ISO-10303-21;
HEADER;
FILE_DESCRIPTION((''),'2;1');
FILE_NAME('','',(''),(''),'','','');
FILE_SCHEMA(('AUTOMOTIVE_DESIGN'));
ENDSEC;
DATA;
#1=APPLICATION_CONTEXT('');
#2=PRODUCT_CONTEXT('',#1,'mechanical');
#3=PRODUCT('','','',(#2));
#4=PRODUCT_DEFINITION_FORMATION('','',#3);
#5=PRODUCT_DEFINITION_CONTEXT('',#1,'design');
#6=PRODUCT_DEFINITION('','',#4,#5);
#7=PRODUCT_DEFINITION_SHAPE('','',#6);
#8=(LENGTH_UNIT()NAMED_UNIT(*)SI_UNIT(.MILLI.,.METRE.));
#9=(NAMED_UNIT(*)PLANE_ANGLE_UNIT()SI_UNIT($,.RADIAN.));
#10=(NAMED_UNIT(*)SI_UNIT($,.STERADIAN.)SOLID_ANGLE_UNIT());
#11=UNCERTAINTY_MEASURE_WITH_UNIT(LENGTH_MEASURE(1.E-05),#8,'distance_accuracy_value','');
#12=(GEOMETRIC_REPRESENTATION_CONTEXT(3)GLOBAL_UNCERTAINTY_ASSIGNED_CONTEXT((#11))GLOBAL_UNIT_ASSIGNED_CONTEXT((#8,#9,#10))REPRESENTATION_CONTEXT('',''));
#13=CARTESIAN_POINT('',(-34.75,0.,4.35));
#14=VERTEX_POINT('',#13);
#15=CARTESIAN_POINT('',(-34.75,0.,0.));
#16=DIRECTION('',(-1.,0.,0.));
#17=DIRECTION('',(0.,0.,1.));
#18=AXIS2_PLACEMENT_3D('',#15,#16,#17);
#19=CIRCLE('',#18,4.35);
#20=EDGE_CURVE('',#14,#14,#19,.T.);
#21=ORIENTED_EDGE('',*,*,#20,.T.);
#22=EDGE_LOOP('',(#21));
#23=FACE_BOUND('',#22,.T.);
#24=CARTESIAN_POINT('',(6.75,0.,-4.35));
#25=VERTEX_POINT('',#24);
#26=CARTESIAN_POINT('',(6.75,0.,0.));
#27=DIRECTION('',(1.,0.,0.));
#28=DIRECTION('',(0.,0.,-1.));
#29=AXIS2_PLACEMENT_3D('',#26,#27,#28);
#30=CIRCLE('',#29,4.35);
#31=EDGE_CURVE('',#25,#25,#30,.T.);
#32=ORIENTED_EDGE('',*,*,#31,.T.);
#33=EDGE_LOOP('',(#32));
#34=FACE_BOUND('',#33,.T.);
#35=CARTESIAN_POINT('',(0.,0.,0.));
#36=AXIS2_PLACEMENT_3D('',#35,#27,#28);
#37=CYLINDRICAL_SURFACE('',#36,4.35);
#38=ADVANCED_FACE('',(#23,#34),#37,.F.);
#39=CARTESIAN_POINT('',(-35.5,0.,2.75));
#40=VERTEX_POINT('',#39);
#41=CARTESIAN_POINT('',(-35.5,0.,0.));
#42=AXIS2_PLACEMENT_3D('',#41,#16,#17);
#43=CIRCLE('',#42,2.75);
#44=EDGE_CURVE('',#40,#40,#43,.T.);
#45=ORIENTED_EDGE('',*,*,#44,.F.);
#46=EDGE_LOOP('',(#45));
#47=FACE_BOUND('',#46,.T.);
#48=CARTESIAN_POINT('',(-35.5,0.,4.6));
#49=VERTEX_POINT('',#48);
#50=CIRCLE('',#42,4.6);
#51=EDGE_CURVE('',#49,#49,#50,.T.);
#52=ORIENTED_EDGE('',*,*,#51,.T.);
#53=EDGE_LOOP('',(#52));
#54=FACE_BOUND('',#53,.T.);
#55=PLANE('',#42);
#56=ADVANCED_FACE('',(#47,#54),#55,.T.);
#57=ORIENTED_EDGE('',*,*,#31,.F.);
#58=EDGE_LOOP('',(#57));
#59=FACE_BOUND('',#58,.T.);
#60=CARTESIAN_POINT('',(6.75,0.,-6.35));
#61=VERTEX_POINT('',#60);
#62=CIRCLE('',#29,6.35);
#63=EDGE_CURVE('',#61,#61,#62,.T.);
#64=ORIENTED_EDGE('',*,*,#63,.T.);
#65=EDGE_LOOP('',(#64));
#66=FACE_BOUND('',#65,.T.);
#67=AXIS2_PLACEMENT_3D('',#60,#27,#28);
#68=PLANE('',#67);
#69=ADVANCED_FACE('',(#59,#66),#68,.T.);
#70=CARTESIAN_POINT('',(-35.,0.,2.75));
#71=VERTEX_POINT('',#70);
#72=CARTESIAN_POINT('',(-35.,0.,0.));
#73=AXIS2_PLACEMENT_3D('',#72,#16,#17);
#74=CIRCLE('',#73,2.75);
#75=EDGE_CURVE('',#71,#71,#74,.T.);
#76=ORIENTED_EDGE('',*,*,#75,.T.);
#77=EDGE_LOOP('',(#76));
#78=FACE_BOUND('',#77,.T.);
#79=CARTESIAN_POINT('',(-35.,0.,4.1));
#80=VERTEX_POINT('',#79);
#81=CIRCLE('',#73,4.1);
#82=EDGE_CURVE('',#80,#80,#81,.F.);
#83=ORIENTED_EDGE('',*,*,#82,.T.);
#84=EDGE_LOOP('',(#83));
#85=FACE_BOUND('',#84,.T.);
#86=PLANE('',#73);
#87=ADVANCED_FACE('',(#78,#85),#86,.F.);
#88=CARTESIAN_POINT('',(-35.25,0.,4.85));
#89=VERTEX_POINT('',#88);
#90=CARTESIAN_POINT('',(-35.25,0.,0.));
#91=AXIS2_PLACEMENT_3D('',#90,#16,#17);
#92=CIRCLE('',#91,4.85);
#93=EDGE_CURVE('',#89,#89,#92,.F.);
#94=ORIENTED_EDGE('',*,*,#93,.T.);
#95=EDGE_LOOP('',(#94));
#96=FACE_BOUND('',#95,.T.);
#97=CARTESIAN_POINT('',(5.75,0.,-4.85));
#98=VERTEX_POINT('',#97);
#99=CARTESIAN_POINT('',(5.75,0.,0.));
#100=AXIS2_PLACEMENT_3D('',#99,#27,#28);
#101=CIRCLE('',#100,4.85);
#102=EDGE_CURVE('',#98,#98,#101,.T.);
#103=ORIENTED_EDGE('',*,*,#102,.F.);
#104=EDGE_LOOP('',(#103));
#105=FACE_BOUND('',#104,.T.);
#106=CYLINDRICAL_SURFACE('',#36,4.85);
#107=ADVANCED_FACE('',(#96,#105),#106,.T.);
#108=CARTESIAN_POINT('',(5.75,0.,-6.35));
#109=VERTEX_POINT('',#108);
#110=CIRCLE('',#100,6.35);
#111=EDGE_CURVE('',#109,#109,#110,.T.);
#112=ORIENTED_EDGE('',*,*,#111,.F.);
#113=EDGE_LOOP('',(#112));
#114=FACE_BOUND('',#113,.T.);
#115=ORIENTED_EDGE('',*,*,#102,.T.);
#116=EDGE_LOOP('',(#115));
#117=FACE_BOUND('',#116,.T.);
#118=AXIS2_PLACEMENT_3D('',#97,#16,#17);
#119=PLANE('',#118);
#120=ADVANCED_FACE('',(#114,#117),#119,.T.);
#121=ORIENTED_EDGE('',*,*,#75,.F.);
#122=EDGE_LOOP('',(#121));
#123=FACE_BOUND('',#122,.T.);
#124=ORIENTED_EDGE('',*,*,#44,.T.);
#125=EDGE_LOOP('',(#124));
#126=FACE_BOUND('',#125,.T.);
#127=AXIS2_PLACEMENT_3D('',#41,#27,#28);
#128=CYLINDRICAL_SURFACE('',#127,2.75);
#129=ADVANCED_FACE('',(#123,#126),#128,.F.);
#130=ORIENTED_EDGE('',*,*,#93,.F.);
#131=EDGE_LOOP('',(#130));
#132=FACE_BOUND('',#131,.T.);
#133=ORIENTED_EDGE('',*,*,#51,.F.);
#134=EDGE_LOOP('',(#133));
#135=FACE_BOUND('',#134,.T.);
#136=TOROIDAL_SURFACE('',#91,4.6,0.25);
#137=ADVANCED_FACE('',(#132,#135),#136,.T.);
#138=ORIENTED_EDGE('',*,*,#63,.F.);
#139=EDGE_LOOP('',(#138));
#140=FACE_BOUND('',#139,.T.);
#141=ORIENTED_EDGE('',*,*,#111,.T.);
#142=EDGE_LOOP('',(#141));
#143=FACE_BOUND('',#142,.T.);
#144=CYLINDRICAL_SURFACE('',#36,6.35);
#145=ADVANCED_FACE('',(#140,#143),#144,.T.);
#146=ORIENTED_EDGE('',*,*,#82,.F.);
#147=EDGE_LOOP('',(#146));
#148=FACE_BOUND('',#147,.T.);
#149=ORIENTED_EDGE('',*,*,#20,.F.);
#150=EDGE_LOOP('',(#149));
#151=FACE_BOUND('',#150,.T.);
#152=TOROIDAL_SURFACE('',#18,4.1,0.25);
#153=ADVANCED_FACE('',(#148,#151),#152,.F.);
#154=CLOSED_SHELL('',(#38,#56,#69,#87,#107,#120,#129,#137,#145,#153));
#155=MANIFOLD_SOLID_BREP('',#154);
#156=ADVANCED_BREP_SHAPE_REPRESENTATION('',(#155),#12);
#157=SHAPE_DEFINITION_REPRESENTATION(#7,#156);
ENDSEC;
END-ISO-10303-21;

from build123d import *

# Parameters (mm, degrees)
SKETCH2_R           = 4.85
SKETCH2_R_2         = 2.75
BOSS_EXTRUDE1_DEPTH = 0.5
FILLET1_R           = 0.25


with BuildPart() as part:
    # Sketch1 → Revolve1 (revolve)
    with BuildSketch(Plane(origin=(0, 0, 0), x_dir=(1, 0, 0), z_dir=(0, 1, 0))):
        Polygon((-35, 4.35), (6.75, 4.35), (6.75, 6.35), (5.75, 6.35), (5.75, 4.85), (-35, 4.85), align=None)
    revolve(axis=Axis((0, 0, 0), (-1, 0, 0)))

    # Sketch2 → Boss-Extrude1 (add)
    with BuildSketch(Plane.ZY.offset(35)):
        Circle(SKETCH2_R)
        Circle(SKETCH2_R_2, mode=Mode.SUBTRACT)
    extrude(amount=BOSS_EXTRUDE1_DEPTH)

    # Fillet1
    fillet1_edges = [part.edges().sort_by_distance(p)[0] for p in [
        (-35.5, 0, -4.85),
        (-35, 0, 4.35),
    ]]
    fillet(fillet1_edges, radius=FILLET1_R)


solid = part.part
